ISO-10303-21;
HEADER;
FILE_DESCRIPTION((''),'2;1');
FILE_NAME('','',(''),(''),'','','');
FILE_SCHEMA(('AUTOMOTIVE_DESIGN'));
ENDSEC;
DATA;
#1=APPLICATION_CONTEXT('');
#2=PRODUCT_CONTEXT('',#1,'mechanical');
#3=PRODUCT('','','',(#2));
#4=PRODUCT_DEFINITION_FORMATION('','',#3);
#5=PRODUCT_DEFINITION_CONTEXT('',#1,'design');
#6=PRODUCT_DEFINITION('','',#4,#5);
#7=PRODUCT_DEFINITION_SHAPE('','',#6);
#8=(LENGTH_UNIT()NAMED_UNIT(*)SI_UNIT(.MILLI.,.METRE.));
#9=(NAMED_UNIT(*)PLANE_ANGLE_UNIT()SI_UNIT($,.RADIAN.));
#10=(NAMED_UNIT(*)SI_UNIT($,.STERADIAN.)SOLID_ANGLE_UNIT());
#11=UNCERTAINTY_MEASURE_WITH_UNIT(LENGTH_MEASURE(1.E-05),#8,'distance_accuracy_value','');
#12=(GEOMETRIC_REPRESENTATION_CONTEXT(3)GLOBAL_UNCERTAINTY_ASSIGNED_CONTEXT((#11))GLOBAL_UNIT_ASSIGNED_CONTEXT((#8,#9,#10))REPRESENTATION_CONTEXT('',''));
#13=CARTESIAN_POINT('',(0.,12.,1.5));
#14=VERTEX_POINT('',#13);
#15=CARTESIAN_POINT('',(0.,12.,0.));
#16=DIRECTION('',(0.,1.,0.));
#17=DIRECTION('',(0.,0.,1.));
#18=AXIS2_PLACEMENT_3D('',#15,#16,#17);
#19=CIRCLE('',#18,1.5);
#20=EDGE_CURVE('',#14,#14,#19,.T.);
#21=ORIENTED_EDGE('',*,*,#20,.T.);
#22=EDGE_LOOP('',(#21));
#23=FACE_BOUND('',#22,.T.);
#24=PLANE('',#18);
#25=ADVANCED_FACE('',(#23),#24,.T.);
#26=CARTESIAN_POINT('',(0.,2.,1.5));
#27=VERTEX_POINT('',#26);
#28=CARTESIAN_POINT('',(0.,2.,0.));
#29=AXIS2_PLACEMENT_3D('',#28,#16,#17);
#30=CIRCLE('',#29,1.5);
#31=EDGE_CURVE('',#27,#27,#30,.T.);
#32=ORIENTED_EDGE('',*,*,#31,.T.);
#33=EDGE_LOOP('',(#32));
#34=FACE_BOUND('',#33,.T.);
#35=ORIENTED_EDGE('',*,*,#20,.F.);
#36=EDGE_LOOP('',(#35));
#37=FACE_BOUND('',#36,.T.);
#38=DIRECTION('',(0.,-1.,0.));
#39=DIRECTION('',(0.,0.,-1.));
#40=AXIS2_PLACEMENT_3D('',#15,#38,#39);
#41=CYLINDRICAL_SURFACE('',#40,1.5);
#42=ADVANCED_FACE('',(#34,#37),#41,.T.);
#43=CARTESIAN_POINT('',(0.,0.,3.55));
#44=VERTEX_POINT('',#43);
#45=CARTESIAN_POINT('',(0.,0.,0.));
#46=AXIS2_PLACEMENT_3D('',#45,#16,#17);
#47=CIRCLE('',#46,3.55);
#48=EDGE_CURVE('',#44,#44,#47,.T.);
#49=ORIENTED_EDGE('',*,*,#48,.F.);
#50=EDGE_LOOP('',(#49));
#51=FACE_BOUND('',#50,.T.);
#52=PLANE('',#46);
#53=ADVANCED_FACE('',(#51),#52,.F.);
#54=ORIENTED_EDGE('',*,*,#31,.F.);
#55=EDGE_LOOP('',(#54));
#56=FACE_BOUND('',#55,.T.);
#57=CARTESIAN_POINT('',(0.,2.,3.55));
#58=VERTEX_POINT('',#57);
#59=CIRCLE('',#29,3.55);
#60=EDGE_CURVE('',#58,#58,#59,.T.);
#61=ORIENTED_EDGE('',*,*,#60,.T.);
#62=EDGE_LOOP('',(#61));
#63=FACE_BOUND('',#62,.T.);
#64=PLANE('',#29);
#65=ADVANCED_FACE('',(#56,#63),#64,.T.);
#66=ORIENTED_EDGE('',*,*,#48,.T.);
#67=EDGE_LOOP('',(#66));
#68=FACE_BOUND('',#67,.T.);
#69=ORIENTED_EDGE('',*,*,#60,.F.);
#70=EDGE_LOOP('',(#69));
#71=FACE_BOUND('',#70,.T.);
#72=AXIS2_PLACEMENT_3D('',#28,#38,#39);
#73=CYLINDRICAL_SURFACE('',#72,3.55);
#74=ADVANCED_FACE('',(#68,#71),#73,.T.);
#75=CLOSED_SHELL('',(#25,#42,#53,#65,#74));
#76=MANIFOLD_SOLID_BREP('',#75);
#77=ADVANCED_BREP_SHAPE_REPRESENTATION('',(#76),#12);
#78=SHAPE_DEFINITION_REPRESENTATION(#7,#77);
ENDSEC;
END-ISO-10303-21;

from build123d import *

# Parameters (mm, degrees)
SKETCH_1_R      = 3.55
EXTRUDE_1_DEPTH = 2
SKETCH_2_R      = 1.5
EXTRUDE_2_DEPTH = 10


with BuildPart() as part:
    # 草图1 → 凸台-拉伸1 (new body)
    with BuildSketch(Plane(origin=(0, 0, 0), x_dir=(1, 0, 0), z_dir=(0, 1, 0))):
        Circle(SKETCH_1_R)
    extrude(amount=EXTRUDE_1_DEPTH)

    # 草图2 → 凸台-拉伸2 (add)
    with BuildSketch(Plane(origin=(0, 2, 0), x_dir=(1, 0, 0), z_dir=(0, 1, 0))):
        Circle(SKETCH_2_R)
    extrude(amount=EXTRUDE_2_DEPTH)


solid = part.part
